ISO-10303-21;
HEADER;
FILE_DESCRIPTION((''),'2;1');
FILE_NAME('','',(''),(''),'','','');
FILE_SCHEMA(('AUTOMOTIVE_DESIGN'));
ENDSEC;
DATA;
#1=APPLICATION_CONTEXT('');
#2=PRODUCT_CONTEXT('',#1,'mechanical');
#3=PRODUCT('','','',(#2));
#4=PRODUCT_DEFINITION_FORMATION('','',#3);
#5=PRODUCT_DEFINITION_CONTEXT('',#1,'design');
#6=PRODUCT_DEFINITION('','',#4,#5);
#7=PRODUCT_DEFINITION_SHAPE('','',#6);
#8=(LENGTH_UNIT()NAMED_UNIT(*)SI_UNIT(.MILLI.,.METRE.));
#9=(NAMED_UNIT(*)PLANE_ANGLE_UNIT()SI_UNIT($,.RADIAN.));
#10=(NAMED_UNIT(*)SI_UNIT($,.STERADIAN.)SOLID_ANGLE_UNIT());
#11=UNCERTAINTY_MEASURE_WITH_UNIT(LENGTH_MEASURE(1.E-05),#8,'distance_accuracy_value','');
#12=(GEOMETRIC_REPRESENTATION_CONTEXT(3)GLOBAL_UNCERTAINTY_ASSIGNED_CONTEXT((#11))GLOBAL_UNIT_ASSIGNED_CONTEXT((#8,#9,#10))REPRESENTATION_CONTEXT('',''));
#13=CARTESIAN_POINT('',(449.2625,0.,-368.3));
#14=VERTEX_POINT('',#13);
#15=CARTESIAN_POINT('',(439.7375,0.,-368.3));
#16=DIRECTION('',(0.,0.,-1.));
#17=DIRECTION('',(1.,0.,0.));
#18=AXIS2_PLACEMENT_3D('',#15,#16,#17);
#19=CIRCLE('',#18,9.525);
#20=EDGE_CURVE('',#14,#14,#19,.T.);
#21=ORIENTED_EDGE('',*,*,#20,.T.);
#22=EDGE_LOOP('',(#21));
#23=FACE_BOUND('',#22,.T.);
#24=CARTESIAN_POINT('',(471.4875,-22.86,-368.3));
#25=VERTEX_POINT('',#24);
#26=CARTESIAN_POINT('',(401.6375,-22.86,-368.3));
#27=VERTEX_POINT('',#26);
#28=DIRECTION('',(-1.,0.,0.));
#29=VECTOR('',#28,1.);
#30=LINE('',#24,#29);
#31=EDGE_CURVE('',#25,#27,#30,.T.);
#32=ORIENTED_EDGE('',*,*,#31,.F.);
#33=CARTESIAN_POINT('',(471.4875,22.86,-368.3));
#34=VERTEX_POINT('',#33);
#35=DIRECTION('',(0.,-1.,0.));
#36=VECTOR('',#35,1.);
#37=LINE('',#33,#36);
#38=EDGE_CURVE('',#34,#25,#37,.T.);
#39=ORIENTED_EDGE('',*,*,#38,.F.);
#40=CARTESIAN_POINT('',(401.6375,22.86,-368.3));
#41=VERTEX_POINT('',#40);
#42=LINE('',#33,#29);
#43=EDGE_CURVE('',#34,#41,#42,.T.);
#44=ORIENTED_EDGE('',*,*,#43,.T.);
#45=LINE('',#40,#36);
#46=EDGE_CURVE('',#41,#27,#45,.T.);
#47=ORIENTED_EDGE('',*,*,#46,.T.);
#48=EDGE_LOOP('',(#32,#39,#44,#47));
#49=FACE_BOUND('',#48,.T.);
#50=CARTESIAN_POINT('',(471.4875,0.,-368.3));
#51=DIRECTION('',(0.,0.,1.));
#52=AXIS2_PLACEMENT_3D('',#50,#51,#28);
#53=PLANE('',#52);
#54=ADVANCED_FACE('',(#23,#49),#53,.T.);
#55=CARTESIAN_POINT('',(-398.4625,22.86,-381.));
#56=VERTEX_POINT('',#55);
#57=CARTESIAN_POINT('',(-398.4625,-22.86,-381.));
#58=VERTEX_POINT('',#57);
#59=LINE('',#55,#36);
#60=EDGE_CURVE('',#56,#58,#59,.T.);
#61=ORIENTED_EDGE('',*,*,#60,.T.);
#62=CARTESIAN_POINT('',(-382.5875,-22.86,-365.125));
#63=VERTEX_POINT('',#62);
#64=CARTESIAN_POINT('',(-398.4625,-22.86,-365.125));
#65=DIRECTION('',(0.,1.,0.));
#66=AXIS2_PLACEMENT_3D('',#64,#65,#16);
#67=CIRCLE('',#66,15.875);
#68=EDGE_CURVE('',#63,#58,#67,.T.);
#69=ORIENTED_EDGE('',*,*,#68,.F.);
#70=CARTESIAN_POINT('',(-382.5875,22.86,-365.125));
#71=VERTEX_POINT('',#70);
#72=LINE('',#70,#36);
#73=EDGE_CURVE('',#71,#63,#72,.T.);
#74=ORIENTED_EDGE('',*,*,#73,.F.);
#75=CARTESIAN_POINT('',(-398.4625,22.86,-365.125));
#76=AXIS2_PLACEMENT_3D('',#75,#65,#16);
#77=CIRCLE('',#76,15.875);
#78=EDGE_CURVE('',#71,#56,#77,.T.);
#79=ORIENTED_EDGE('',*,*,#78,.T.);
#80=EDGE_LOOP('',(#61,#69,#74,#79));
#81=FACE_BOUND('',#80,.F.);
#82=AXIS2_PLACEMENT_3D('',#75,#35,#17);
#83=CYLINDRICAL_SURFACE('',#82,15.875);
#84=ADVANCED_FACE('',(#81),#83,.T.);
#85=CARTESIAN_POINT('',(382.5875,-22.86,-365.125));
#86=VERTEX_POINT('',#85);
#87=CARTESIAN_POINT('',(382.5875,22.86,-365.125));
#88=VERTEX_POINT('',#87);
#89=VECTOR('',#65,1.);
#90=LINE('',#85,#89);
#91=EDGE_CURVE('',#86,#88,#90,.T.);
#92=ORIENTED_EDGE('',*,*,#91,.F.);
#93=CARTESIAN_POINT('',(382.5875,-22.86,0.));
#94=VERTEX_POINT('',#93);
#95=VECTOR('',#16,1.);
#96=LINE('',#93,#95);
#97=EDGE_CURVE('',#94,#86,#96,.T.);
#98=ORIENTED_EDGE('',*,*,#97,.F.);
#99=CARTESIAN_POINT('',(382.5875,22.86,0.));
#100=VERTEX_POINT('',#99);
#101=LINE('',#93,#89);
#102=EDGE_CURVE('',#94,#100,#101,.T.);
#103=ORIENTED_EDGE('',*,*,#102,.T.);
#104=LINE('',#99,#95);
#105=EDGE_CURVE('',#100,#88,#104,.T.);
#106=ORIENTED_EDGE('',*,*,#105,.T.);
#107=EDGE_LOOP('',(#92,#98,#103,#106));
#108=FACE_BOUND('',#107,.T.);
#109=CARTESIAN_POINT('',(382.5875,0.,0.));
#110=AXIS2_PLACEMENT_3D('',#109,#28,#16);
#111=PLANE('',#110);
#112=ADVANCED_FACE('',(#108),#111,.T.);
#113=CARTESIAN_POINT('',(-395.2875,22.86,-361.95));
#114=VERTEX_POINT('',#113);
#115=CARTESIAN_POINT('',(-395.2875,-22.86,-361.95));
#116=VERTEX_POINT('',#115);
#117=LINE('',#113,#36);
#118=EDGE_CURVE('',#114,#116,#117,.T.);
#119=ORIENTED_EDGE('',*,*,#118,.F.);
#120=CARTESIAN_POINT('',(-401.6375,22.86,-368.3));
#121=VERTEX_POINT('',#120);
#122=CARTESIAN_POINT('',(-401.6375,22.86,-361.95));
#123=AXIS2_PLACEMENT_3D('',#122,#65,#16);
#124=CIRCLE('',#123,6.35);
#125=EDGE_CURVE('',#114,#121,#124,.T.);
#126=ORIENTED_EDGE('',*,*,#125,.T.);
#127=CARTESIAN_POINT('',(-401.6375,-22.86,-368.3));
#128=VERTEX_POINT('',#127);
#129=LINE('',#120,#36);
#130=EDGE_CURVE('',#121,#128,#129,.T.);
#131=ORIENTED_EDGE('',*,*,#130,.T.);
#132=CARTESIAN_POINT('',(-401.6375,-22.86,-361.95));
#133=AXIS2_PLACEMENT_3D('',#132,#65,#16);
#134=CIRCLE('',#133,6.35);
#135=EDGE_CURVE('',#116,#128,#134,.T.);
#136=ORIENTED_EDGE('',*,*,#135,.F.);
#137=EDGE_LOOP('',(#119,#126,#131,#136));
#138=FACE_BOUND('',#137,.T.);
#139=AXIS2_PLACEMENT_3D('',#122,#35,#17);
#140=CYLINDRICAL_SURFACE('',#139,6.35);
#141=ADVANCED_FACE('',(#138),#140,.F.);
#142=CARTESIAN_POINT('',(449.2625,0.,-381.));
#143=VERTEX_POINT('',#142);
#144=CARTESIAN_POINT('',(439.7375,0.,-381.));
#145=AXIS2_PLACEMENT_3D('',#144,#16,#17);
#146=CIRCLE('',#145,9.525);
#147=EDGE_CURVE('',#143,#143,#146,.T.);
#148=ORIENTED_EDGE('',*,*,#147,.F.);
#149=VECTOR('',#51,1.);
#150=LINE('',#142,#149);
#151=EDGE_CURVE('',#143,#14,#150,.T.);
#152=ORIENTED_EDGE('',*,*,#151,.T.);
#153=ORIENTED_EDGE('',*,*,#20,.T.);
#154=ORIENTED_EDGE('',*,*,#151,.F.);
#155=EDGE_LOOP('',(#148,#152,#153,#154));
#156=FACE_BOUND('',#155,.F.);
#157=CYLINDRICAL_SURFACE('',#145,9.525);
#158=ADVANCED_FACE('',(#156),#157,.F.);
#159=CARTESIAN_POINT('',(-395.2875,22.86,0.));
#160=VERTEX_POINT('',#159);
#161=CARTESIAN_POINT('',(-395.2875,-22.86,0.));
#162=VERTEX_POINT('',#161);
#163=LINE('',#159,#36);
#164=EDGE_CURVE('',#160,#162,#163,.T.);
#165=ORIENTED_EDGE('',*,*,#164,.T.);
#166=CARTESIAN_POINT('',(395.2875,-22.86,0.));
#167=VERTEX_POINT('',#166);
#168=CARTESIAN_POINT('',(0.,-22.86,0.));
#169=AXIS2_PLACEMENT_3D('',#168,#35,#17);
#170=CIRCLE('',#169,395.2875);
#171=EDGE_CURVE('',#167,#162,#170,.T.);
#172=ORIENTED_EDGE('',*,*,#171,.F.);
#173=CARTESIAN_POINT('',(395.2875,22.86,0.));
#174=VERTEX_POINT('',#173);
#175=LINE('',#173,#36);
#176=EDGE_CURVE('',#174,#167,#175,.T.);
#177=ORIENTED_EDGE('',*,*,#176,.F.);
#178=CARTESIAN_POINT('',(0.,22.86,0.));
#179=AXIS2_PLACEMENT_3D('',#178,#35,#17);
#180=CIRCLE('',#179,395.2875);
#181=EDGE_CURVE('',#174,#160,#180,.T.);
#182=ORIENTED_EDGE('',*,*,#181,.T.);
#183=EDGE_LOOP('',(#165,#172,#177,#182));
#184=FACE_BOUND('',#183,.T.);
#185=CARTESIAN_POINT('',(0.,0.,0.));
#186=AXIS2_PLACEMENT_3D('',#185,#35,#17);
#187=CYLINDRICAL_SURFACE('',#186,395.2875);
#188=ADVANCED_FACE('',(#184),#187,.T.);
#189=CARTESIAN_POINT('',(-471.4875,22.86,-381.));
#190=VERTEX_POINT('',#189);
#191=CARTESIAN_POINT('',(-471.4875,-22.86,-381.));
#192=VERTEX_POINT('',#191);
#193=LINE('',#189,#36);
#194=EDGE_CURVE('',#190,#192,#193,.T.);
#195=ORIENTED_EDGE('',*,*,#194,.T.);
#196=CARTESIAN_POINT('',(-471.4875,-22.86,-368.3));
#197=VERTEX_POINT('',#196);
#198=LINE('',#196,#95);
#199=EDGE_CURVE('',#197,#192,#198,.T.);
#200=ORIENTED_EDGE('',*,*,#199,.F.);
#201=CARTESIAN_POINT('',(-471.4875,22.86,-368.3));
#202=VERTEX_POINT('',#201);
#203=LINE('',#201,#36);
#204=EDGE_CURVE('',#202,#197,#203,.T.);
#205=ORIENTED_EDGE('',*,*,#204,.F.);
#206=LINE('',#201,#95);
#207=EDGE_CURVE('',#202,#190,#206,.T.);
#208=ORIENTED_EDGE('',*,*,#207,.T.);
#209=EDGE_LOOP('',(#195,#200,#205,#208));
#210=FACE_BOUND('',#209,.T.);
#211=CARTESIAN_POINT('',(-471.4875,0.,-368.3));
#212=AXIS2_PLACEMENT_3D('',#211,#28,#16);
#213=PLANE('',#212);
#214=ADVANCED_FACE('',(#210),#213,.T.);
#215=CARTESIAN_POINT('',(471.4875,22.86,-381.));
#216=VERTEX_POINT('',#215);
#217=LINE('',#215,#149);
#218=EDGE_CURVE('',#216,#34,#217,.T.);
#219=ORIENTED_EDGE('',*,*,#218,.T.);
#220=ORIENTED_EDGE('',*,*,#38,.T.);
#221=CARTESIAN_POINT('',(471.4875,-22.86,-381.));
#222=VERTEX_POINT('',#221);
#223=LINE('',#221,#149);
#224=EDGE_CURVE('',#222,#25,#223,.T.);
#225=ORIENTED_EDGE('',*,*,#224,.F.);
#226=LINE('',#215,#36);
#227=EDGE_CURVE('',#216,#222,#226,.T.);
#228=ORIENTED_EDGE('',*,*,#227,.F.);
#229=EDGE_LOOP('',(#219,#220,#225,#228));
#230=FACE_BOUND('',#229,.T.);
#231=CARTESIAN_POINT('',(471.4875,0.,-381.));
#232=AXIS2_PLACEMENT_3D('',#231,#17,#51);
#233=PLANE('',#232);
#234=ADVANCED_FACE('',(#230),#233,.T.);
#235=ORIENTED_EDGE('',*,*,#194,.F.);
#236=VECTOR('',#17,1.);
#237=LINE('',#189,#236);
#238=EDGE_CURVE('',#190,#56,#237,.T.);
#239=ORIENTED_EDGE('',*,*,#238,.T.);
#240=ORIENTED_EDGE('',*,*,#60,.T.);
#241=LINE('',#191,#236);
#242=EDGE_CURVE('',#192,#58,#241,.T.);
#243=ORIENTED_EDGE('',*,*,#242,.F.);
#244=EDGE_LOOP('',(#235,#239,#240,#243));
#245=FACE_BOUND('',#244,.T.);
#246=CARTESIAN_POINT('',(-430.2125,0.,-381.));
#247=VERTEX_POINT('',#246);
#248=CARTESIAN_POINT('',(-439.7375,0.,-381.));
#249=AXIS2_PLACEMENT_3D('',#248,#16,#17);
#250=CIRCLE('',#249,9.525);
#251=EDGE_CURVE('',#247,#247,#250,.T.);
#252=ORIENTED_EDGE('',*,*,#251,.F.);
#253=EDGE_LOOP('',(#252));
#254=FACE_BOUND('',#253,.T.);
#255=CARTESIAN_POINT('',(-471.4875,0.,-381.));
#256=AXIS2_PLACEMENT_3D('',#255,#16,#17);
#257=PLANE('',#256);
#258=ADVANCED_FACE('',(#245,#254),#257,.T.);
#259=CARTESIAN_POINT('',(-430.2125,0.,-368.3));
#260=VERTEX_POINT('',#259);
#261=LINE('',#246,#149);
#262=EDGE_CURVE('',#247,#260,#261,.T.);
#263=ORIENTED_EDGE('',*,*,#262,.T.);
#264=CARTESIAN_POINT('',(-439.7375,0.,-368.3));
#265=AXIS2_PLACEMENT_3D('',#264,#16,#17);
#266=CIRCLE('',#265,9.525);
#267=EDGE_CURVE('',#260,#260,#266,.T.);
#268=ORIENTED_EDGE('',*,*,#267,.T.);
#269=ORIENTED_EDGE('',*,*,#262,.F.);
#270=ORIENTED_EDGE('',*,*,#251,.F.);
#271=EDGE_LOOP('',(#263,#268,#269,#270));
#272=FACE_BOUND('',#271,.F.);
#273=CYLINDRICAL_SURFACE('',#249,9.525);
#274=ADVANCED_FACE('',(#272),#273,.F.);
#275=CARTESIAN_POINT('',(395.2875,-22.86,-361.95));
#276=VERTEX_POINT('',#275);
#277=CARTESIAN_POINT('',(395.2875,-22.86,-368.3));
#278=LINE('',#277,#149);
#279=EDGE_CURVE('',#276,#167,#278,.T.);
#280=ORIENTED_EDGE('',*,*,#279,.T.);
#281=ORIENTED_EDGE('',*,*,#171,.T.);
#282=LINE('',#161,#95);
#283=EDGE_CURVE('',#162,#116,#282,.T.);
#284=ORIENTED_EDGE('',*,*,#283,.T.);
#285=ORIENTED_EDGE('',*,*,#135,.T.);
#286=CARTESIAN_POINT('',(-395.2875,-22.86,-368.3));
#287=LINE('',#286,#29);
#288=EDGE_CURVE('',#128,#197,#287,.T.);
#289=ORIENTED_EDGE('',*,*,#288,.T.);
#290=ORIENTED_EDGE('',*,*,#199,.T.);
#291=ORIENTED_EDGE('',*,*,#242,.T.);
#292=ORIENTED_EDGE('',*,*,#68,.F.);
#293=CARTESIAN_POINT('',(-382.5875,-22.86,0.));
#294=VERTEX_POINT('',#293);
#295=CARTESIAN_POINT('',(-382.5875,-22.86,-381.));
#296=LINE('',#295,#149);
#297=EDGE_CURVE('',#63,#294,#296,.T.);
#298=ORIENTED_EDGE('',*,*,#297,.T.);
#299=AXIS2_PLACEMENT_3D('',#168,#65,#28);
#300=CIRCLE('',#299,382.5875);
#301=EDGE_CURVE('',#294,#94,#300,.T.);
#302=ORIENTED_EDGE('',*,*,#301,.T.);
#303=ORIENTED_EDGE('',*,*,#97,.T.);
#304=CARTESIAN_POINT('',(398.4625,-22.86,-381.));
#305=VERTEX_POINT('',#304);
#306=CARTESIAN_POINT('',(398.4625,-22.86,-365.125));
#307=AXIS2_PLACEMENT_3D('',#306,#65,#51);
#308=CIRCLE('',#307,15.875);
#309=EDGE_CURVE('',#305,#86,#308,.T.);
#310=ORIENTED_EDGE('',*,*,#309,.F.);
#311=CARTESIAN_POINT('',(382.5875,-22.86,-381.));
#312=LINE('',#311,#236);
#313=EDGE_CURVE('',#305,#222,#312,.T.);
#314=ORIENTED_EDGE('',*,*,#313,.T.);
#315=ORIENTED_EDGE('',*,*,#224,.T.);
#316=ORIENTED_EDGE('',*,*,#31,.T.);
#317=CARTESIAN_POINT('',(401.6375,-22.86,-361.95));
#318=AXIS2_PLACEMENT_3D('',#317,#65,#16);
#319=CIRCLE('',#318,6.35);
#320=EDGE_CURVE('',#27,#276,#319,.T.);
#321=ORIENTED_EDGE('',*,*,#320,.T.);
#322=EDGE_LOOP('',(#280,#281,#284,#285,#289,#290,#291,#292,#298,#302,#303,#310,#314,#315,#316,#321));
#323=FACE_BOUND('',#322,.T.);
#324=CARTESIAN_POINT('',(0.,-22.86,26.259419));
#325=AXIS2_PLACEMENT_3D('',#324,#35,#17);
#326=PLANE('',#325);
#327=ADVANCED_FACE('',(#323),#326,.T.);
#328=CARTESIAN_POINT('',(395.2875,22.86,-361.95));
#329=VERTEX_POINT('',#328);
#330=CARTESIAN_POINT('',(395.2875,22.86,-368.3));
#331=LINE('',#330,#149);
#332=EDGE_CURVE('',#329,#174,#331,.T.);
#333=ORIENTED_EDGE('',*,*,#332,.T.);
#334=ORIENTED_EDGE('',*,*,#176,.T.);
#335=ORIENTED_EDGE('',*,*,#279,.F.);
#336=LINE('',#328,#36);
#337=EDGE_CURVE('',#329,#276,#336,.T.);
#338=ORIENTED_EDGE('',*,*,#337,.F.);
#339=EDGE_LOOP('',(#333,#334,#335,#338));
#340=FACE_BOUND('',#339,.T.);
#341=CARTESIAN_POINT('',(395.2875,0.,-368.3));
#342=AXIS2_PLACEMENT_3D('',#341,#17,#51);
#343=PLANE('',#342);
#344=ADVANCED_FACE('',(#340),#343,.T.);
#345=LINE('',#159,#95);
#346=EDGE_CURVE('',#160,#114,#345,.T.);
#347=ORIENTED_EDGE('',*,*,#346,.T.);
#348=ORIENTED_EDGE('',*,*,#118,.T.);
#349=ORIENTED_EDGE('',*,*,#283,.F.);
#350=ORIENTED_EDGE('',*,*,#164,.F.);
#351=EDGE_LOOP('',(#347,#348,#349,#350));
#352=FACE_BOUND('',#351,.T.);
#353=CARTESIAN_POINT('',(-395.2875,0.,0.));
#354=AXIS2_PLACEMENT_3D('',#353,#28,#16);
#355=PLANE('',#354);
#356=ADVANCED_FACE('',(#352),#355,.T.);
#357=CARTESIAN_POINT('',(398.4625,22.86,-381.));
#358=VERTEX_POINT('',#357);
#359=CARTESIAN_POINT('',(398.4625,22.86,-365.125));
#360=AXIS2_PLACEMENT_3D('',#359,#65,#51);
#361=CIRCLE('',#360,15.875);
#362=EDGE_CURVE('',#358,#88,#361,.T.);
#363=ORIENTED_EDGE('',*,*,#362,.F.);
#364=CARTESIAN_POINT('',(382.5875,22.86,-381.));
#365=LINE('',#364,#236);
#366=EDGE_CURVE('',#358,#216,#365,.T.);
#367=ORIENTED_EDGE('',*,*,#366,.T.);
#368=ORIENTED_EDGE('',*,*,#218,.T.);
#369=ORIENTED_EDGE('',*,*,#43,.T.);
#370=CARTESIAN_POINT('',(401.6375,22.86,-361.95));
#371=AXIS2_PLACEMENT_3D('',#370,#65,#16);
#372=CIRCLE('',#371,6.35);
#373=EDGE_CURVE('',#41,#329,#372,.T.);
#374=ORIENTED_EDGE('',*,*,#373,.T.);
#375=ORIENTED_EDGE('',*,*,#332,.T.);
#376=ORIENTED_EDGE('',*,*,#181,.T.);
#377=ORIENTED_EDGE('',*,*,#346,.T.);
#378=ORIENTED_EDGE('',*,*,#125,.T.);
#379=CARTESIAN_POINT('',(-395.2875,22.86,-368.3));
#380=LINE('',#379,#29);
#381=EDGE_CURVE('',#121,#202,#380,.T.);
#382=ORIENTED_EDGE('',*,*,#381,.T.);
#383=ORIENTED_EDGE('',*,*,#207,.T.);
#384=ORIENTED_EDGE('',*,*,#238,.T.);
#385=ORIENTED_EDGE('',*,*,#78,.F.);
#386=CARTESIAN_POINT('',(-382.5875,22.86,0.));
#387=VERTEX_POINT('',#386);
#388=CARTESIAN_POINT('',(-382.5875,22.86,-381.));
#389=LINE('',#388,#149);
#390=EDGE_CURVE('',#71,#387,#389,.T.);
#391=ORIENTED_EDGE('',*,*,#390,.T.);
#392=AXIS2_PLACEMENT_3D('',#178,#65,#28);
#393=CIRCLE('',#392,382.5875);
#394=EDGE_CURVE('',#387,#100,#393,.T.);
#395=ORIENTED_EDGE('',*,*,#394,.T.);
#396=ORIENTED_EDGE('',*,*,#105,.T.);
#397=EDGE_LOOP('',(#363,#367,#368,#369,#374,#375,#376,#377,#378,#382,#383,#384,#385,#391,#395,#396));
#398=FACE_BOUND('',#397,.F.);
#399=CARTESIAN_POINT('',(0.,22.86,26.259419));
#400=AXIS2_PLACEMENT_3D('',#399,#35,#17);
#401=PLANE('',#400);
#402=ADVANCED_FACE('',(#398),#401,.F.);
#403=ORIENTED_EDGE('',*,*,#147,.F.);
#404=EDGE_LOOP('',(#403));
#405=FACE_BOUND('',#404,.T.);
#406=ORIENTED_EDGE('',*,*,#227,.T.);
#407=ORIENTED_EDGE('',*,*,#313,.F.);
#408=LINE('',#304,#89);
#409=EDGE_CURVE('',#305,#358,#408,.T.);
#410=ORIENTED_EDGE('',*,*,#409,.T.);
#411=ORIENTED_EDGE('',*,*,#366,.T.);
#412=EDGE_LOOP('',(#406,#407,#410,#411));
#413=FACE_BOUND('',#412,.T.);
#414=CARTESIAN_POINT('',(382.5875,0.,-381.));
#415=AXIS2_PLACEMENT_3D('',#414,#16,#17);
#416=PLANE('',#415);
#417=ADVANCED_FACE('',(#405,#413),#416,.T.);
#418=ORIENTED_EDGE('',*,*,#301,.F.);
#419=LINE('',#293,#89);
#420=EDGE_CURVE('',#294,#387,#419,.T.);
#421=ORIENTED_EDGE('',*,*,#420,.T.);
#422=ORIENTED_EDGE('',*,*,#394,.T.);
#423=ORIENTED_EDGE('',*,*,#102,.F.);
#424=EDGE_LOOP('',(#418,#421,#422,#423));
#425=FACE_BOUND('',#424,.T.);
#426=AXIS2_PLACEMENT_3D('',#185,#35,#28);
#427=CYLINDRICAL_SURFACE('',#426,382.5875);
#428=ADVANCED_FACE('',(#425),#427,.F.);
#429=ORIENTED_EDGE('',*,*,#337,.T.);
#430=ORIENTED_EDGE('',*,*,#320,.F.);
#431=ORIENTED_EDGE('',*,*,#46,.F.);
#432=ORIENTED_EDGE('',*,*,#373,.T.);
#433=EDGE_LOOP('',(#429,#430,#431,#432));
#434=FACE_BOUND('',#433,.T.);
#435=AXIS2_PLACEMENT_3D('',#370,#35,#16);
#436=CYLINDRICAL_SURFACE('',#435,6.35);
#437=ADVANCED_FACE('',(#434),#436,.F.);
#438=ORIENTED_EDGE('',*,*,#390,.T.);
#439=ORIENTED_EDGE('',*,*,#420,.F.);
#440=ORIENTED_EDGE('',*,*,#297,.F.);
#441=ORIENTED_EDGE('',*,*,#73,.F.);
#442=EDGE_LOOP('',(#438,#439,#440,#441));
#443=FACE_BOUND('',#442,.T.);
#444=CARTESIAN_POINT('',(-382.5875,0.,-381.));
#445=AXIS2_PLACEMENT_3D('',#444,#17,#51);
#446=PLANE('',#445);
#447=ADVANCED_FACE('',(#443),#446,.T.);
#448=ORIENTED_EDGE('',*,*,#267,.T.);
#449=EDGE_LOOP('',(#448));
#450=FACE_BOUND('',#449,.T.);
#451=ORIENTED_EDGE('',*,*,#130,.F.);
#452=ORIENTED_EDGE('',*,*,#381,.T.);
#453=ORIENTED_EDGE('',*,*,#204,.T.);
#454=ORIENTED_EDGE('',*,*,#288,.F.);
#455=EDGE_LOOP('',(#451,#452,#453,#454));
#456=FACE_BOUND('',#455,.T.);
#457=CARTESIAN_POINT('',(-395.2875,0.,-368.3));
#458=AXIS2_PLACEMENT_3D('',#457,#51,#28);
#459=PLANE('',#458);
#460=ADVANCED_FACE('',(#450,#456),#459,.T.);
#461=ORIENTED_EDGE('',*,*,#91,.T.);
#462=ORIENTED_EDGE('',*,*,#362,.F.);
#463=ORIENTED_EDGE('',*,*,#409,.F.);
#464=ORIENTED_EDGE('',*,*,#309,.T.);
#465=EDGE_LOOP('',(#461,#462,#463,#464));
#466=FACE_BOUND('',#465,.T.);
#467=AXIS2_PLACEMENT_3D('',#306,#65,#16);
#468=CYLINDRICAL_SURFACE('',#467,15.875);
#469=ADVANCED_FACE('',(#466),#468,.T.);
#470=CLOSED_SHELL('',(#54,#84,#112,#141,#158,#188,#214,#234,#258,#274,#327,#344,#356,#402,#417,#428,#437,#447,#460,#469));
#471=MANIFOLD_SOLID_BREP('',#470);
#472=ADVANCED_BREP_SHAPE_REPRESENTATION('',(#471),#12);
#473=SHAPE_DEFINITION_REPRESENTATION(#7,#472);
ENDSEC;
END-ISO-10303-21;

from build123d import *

# Parameters (mm, degrees)
F1_DEPTH = 22.86
F2_R     = 9.525
F3_DEPTH = 25.4
F4_R     = 6.35
F5_R     = 15.875


with BuildPart() as f1:
    # F0 (on Front) → F1 (new body, symmetric)
    with BuildSketch(Plane.XZ):
        with BuildLine():
            Line((382.5875, -381), (471.4875, -381))
            Line((471.4875, -381), (471.4875, -368.3))
            Line((471.4875, -368.3), (395.2875, -368.3))
            Line((395.2875, -368.3), (395.2875, 0))
            ThreePointArc((395.2875, 0), (0, 395.2875), (-395.2875, 0))
            Line((-395.2875, 0), (-395.2875, -368.3))
            Line((-395.2875, -368.3), (-471.4875, -368.3))
            Line((-471.4875, -368.3), (-471.4875, -381))
            Line((-471.4875, -381), (-382.5875, -381))
            Line((-382.5875, -381), (-382.5875, 0))
            ThreePointArc((-382.5875, 0), (0, 382.5875), (382.5875, 0))
            Line((382.5875, 0), (382.5875, -381))
        make_face()
    extrude(amount=F1_DEPTH, both=True)

    # F2 (on face) → F3 (cut)
    with BuildSketch(Plane(origin=(0, 0, -381), x_dir=(1, 0, 0), z_dir=(0, 0, -1))):
        with Locations((-439.7375, 0)):
            Circle(F2_R)
        with Locations((439.7375, 0)):
            Circle(F2_R)
    extrude(amount=-F3_DEPTH, mode=Mode.SUBTRACT)

    # F4
    f4_edges = [f1.edges().sort_by_distance(p)[0] for p in [
        (-395.2875, 0, -368.3),
        (395.2875, 0, -368.3),
    ]]
    fillet(f4_edges, radius=F4_R)

    # F5
    f5_edges = [f1.edges().sort_by_distance(p)[0] for p in [
        (-382.5875, 0, -381),
        (382.5875, 0, -381),
    ]]
    fillet(f5_edges, radius=F5_R)


solid = f1.part
